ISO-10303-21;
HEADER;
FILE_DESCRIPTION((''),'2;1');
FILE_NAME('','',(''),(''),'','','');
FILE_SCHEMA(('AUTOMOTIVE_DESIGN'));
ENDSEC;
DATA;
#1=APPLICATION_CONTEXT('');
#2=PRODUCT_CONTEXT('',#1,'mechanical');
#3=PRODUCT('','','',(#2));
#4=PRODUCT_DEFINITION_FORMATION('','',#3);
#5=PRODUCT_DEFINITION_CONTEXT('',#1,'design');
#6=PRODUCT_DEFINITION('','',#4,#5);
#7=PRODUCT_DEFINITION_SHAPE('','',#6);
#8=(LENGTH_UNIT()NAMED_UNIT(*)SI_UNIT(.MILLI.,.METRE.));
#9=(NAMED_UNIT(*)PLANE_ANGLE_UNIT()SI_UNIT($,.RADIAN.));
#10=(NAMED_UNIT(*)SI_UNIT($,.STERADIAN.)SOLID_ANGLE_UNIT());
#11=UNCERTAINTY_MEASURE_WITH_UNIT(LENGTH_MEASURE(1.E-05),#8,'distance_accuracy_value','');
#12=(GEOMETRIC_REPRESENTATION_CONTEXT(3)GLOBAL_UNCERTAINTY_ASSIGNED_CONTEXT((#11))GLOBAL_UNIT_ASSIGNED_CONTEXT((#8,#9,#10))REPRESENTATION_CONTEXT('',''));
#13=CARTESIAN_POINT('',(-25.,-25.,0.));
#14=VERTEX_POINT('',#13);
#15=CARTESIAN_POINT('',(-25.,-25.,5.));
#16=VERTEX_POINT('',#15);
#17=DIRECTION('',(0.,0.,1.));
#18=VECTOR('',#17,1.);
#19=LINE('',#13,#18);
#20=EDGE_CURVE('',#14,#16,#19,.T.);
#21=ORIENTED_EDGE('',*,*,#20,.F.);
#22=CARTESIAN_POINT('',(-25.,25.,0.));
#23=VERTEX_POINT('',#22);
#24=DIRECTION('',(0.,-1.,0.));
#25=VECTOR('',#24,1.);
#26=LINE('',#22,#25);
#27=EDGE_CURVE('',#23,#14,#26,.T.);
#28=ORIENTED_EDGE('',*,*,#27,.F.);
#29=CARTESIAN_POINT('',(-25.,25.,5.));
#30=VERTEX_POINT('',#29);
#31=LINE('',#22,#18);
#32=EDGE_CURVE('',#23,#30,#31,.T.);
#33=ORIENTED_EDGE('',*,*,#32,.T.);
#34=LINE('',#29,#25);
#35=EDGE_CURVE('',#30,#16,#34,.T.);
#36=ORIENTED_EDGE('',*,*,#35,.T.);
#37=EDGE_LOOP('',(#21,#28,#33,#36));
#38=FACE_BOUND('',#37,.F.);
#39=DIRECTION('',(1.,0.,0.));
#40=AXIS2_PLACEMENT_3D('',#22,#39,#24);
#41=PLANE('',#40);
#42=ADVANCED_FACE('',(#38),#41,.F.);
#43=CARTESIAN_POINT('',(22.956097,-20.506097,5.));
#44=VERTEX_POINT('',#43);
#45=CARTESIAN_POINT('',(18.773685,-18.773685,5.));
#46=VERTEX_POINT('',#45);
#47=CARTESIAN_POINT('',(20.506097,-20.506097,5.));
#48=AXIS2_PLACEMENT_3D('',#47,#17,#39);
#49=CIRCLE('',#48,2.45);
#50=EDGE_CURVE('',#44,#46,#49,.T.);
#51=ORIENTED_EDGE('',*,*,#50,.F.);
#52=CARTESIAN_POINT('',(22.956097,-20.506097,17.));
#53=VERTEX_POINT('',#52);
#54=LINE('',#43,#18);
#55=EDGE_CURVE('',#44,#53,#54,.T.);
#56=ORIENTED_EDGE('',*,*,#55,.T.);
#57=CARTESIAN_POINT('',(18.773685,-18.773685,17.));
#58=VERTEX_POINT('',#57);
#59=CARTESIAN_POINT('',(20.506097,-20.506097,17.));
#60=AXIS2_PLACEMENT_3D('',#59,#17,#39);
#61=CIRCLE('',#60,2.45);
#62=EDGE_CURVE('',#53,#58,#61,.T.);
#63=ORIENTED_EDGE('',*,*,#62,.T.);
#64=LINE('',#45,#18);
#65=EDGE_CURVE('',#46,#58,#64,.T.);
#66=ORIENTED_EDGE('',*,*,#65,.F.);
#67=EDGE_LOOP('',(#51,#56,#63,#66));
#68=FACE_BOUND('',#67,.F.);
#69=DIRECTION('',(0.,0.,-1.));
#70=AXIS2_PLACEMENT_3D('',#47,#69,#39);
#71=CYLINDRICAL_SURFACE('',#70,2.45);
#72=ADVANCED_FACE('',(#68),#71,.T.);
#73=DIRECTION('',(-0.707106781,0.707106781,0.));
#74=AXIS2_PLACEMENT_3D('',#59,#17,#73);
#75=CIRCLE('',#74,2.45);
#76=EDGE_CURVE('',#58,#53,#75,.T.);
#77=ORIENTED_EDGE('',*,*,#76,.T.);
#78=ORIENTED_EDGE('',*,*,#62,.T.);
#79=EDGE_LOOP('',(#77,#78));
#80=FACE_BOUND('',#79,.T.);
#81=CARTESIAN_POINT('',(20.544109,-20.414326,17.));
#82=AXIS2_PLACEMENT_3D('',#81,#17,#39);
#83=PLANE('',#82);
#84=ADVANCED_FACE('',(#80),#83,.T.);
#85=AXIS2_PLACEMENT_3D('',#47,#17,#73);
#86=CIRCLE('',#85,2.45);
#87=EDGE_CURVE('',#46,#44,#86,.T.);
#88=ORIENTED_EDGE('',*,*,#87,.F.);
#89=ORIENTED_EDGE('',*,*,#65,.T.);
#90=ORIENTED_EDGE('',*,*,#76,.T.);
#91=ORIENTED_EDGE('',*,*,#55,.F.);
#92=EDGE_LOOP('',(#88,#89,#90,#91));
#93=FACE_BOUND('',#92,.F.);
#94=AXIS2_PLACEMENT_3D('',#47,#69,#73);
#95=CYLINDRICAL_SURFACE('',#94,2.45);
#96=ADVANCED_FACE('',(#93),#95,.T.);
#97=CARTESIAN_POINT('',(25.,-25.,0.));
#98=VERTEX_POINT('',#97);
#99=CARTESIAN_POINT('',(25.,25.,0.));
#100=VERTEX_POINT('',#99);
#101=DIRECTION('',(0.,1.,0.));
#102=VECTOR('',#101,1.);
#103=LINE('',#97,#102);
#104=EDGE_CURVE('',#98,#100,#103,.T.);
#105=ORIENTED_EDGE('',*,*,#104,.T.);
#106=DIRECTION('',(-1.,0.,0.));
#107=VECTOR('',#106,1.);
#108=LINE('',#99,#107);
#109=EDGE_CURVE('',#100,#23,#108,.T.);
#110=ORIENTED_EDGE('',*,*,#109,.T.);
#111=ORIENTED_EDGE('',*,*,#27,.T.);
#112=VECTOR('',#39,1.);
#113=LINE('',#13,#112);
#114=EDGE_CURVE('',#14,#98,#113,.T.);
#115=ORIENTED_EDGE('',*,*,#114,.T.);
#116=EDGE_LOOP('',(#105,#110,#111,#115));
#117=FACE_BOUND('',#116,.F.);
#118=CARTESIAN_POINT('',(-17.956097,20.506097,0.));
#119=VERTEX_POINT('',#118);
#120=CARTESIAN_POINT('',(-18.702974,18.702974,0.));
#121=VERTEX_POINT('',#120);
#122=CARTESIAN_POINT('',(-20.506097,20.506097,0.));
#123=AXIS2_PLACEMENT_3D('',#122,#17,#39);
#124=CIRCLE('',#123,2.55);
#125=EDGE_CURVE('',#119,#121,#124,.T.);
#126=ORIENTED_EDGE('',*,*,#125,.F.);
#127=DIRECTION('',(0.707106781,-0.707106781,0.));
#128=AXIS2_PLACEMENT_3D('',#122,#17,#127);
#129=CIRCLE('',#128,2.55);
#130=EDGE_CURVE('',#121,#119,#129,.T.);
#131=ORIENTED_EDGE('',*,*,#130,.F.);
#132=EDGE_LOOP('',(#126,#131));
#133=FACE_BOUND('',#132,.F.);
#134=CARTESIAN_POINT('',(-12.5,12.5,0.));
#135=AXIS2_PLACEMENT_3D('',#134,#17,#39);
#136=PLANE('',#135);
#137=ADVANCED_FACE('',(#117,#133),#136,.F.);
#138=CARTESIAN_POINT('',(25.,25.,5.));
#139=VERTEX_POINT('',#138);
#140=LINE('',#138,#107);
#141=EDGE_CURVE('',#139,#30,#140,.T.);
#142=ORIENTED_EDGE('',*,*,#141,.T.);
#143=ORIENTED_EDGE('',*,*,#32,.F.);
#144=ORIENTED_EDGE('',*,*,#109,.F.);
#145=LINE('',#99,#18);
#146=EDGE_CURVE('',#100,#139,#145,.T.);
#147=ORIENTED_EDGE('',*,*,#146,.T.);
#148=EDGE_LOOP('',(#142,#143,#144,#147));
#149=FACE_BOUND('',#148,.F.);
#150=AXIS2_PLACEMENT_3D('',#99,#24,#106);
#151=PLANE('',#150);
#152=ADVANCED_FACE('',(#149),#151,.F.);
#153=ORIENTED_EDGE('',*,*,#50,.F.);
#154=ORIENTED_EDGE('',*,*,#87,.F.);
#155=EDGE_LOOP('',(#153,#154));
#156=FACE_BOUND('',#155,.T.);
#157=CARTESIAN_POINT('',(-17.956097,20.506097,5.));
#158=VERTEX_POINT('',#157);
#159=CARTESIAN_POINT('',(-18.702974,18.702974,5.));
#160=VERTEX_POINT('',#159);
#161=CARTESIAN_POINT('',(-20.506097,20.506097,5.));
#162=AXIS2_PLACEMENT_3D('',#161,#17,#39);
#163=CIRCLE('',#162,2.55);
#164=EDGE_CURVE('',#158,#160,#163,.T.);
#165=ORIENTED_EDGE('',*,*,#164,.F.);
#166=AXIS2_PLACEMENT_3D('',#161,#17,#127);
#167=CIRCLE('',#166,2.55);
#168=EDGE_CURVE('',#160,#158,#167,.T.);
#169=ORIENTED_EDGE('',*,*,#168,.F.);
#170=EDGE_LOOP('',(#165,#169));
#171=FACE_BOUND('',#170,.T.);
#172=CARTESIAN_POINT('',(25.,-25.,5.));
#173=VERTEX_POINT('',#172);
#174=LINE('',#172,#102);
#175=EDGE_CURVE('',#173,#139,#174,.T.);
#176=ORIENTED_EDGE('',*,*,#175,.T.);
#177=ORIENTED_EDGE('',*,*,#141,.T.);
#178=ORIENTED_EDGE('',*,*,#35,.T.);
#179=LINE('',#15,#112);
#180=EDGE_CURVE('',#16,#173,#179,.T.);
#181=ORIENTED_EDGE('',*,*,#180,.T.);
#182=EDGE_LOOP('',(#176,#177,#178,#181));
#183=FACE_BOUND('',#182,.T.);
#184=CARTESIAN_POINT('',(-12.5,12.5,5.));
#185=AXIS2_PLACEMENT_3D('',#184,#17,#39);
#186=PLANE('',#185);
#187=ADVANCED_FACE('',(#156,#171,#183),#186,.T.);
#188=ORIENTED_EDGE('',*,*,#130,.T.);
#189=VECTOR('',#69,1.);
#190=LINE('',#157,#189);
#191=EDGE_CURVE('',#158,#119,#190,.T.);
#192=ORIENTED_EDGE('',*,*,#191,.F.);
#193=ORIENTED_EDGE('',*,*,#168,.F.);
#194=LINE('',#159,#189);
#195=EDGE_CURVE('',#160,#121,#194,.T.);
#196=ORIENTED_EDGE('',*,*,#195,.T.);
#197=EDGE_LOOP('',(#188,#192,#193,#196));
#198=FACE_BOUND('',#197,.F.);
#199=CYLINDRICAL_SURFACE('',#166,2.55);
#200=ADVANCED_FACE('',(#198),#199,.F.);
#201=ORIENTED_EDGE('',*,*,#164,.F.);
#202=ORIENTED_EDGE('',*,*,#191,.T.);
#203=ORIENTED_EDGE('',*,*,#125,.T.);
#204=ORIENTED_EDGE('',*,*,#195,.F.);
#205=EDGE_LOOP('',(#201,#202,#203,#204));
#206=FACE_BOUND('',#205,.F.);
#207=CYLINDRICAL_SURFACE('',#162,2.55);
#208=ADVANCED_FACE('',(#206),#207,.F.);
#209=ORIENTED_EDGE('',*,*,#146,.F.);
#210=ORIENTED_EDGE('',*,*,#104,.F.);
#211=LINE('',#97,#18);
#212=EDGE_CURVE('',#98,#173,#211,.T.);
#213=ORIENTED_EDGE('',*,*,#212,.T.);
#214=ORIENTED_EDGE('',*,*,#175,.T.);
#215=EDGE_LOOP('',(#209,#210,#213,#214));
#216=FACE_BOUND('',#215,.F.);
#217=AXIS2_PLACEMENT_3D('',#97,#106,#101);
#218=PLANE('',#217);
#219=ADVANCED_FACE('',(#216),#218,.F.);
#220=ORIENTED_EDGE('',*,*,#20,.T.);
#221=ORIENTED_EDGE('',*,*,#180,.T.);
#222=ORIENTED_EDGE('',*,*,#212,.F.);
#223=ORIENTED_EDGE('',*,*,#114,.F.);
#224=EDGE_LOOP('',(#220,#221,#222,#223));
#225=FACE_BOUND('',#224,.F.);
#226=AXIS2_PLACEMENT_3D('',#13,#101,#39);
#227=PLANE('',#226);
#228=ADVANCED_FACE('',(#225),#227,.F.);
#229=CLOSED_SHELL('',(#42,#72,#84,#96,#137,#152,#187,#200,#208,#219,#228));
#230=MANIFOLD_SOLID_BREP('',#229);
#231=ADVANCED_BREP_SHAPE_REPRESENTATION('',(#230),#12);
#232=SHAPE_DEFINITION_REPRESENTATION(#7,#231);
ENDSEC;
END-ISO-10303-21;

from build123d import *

# Parameters (mm, degrees)
F0_W     = 25
F0_H     = 25
F1_DEPTH = 5
F3_DEPTH = 12
F4_DEPTH = 5.001


with BuildPart() as f1:
    # F0 (on Top) → F1 (new body)
    with BuildSketch(Plane.XY):
        with Locations((-12.5, 12.5)):
            Rectangle(F0_W, F0_H)
        Polygon((25, 25), (0, 25), (0, 0), (-25, 0), (-25, -25), (25, -25), align=None)
    extrude(amount=F1_DEPTH)

    # F2 (on face) → F3 (join)
    with BuildSketch(Plane.XY.offset(5)):
        with BuildLine():
            ThreePointArc((18.7736850405, -18.7736850405), (19.5685222451, -22.7696015091), (22.9560966544, -20.5060966544))
            ThreePointArc((22.9560966544, -20.5060966544), (21.4436710637, -18.2425917998), (18.7736850405, -18.7736850405))
        make_face()
    extrude(amount=F3_DEPTH)

    # F2 (on face) → F4 (cut, through all)
    with BuildSketch(Plane.XY.offset(5)):
        with BuildLine():
            ThreePointArc((-17.9560966544, 20.5060966544), (-22.8619894623, 21.4819394069), (-18.7029743624, 18.7029743624))
            ThreePointArc((-18.7029743624, 18.7029743624), (-18.1502038465, 19.5302539019), (-17.9560966544, 20.5060966544))
        make_face()
    extrude(amount=-F4_DEPTH, mode=Mode.SUBTRACT)


solid = f1.part
